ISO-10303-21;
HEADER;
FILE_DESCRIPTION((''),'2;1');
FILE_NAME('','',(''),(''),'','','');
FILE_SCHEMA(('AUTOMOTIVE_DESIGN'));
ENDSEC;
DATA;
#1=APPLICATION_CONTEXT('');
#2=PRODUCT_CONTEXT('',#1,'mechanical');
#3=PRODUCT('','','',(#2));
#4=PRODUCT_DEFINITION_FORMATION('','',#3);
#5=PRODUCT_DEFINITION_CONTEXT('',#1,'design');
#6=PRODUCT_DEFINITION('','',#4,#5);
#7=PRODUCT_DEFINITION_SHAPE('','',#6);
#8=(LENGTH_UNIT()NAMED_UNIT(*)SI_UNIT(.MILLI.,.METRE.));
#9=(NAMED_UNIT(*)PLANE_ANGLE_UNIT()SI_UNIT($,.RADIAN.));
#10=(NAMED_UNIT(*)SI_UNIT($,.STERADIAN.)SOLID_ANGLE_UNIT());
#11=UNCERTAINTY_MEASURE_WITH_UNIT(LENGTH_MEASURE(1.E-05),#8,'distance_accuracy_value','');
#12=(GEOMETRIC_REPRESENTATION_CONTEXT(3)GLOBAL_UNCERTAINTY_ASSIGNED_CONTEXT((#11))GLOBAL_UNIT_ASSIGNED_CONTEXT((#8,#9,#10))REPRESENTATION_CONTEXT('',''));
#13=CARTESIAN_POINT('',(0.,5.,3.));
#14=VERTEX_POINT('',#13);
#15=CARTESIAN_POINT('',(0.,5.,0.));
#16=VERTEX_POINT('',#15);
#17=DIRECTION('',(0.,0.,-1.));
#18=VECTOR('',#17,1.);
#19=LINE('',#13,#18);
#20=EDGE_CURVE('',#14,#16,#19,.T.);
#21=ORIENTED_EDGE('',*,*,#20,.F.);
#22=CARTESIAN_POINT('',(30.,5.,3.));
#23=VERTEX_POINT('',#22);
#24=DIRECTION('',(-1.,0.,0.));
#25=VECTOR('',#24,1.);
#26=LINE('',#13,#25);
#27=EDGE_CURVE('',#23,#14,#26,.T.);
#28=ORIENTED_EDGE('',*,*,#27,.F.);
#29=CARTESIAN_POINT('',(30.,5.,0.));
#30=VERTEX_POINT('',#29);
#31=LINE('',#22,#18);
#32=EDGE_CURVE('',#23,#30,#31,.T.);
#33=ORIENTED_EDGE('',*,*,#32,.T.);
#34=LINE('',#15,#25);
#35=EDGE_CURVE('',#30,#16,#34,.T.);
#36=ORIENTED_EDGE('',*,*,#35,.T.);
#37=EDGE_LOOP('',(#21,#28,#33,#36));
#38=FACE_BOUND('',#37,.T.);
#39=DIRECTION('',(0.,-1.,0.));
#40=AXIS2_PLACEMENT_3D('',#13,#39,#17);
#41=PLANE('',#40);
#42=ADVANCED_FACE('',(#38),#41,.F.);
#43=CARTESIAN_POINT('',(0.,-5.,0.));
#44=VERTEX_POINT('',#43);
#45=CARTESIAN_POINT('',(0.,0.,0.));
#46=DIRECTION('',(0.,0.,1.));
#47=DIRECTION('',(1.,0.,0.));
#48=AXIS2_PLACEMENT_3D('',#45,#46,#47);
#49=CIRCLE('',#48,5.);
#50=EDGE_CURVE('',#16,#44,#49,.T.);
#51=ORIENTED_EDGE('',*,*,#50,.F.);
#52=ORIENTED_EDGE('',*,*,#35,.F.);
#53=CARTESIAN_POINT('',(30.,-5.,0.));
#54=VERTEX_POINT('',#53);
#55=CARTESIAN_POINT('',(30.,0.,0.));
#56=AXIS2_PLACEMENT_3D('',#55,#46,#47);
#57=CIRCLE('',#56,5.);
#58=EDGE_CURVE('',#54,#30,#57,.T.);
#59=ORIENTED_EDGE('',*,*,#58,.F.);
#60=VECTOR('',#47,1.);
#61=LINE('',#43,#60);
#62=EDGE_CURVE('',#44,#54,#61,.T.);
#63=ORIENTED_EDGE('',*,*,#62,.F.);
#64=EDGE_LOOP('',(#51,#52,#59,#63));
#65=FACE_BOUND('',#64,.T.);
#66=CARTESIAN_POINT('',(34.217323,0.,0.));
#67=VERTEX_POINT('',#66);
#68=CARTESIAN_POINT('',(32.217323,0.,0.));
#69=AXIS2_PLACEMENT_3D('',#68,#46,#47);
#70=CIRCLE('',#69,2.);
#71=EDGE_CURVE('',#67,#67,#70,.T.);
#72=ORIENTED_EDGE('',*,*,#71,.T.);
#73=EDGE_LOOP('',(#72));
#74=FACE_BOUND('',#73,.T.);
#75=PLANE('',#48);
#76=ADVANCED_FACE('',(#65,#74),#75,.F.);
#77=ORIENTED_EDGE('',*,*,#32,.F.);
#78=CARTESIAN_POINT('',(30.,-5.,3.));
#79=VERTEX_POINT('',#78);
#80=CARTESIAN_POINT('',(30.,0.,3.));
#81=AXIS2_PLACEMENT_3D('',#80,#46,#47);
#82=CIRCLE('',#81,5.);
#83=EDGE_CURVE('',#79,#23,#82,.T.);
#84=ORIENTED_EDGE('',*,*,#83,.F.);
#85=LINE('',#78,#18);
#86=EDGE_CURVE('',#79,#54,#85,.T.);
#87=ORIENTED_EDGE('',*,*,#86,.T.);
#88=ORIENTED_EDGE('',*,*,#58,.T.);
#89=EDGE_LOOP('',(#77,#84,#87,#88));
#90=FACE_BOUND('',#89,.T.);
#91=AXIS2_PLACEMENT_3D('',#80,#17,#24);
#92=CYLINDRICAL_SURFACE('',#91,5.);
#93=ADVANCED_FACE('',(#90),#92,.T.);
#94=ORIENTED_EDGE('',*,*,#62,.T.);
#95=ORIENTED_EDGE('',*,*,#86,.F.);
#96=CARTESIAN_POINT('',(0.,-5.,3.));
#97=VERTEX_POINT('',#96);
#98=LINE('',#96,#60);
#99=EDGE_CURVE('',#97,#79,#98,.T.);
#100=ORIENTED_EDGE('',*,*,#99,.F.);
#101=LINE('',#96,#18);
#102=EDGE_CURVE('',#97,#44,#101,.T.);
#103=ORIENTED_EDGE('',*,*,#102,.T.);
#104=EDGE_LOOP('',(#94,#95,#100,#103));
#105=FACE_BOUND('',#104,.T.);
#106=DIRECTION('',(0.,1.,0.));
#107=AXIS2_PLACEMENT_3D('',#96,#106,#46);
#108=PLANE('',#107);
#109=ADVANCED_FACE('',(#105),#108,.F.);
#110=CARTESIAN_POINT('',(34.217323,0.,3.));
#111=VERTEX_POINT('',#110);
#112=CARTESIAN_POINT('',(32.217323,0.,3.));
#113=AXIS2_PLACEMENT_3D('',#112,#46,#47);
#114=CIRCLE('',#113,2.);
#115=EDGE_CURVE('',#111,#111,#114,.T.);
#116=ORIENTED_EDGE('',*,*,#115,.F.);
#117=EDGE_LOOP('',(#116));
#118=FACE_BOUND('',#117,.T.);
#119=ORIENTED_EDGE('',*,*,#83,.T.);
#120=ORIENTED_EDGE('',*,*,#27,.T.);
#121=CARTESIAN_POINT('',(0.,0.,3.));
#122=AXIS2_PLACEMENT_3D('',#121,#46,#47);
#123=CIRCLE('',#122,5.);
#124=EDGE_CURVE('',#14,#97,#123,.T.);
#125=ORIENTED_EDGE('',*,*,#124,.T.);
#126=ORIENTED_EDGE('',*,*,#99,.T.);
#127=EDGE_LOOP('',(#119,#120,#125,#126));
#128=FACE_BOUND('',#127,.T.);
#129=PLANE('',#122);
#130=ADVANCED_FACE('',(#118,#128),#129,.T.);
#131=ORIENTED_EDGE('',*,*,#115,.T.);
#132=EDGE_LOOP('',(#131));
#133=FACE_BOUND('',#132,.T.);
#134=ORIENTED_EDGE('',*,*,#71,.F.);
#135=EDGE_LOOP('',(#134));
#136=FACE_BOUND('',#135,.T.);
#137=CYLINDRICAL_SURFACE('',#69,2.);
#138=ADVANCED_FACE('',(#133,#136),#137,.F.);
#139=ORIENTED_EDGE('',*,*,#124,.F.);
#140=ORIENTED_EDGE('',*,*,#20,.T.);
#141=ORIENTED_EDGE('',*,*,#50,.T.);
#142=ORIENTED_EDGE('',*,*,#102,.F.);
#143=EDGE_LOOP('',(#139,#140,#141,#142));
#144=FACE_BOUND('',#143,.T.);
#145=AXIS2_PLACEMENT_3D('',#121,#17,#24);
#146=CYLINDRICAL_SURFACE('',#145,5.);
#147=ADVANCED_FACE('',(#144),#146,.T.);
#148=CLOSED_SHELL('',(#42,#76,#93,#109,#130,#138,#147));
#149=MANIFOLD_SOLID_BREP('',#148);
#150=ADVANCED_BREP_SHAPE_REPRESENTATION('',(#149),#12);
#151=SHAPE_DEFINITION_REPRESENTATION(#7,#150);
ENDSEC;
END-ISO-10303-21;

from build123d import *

# Parameters (mm, degrees)
BOSS_EXTRU_1_DEPTH      = 3
ESQUISSE2_R             = 2
ENL_V_MAT_EXTRU_1_DEPTH = 3


with BuildPart() as part:
    # Esquisse1 → Boss.-Extru.1 (new body)
    with BuildSketch(Plane.XY):
        with BuildLine():
            Line((0, 5), (30, 5))
            ThreePointArc((30, 5), (35, 0), (30, -5))
            Line((30, -5), (0, -5))
            ThreePointArc((0, -5), (-5, 0), (0, 5))
        make_face()
    extrude(amount=BOSS_EXTRU_1_DEPTH)

    # Esquisse2 → Enlèv. mat.-Extru.1 (cut)
    with BuildSketch(Plane.XY.offset(3)):
        with Locations((32.217323413, 0)):
            Circle(ESQUISSE2_R)
    extrude(amount=-ENL_V_MAT_EXTRU_1_DEPTH, mode=Mode.SUBTRACT)


solid = part.part
